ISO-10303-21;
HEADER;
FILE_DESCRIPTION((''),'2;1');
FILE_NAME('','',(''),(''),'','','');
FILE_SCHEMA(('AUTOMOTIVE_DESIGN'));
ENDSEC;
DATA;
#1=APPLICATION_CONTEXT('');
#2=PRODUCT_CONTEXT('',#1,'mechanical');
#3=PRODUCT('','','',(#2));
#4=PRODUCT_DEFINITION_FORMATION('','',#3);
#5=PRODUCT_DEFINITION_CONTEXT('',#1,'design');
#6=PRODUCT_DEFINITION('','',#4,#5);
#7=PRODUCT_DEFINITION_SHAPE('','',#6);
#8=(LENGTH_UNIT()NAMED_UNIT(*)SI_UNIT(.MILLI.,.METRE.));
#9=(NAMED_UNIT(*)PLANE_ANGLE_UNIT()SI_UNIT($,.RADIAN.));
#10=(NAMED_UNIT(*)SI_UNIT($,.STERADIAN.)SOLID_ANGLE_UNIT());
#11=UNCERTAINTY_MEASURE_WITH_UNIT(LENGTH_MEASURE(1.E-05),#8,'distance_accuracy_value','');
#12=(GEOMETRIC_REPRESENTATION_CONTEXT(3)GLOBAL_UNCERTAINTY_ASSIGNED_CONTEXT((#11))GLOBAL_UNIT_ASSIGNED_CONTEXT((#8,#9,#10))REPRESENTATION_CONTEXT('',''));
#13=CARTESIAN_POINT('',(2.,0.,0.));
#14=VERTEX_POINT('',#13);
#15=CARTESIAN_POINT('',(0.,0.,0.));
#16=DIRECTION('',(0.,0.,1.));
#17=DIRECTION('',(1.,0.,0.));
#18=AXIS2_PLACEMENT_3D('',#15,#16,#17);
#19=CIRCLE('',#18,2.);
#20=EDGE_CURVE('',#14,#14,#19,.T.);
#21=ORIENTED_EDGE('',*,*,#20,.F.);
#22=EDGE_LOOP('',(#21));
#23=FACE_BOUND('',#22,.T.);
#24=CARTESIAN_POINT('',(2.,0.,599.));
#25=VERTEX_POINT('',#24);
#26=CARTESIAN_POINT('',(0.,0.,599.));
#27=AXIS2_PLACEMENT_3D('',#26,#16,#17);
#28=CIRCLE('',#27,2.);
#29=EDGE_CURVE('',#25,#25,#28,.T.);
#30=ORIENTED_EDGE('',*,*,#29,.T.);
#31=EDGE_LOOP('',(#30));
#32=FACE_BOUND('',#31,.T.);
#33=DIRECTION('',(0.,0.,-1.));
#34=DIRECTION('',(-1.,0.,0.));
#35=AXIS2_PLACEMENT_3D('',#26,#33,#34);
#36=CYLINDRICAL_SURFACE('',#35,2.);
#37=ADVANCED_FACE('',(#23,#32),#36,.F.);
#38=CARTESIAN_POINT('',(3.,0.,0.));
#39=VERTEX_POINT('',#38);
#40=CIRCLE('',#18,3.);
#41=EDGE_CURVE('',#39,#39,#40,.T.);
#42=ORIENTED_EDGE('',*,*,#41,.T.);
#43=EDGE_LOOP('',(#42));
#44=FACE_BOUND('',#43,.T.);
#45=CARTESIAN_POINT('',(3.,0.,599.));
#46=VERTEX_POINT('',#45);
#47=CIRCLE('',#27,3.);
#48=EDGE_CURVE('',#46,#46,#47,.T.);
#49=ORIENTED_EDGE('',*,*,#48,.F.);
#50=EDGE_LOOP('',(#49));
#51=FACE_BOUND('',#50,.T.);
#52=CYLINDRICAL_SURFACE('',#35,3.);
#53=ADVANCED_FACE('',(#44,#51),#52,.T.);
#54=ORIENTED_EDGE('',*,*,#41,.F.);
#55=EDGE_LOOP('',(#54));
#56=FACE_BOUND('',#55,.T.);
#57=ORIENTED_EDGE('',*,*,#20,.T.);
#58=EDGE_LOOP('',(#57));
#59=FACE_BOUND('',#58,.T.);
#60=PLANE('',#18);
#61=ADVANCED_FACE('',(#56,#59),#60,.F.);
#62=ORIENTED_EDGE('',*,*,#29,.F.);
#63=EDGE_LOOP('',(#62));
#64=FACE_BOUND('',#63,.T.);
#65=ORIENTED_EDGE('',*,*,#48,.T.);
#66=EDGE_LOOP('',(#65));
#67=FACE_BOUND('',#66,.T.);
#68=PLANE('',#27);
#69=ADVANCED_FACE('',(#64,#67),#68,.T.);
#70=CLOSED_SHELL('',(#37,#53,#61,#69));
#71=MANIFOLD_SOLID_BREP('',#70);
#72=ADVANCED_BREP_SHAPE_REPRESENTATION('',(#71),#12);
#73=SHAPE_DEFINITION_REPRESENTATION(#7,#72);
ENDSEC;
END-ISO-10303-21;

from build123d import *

# Parameters (mm, degrees)
SCHIZZO1_R                   = 3
SCHIZZO1_R_2                 = 2
ESTRUSIONE_ESTRUSIONE1_DEPTH = 599


with BuildPart() as part:
    # Schizzo1 → Estrusione-Estrusione1 (new body)
    with BuildSketch(Plane.XY):
        Circle(SCHIZZO1_R)
        Circle(SCHIZZO1_R_2, mode=Mode.SUBTRACT)
    extrude(amount=ESTRUSIONE_ESTRUSIONE1_DEPTH)


solid = part.part
